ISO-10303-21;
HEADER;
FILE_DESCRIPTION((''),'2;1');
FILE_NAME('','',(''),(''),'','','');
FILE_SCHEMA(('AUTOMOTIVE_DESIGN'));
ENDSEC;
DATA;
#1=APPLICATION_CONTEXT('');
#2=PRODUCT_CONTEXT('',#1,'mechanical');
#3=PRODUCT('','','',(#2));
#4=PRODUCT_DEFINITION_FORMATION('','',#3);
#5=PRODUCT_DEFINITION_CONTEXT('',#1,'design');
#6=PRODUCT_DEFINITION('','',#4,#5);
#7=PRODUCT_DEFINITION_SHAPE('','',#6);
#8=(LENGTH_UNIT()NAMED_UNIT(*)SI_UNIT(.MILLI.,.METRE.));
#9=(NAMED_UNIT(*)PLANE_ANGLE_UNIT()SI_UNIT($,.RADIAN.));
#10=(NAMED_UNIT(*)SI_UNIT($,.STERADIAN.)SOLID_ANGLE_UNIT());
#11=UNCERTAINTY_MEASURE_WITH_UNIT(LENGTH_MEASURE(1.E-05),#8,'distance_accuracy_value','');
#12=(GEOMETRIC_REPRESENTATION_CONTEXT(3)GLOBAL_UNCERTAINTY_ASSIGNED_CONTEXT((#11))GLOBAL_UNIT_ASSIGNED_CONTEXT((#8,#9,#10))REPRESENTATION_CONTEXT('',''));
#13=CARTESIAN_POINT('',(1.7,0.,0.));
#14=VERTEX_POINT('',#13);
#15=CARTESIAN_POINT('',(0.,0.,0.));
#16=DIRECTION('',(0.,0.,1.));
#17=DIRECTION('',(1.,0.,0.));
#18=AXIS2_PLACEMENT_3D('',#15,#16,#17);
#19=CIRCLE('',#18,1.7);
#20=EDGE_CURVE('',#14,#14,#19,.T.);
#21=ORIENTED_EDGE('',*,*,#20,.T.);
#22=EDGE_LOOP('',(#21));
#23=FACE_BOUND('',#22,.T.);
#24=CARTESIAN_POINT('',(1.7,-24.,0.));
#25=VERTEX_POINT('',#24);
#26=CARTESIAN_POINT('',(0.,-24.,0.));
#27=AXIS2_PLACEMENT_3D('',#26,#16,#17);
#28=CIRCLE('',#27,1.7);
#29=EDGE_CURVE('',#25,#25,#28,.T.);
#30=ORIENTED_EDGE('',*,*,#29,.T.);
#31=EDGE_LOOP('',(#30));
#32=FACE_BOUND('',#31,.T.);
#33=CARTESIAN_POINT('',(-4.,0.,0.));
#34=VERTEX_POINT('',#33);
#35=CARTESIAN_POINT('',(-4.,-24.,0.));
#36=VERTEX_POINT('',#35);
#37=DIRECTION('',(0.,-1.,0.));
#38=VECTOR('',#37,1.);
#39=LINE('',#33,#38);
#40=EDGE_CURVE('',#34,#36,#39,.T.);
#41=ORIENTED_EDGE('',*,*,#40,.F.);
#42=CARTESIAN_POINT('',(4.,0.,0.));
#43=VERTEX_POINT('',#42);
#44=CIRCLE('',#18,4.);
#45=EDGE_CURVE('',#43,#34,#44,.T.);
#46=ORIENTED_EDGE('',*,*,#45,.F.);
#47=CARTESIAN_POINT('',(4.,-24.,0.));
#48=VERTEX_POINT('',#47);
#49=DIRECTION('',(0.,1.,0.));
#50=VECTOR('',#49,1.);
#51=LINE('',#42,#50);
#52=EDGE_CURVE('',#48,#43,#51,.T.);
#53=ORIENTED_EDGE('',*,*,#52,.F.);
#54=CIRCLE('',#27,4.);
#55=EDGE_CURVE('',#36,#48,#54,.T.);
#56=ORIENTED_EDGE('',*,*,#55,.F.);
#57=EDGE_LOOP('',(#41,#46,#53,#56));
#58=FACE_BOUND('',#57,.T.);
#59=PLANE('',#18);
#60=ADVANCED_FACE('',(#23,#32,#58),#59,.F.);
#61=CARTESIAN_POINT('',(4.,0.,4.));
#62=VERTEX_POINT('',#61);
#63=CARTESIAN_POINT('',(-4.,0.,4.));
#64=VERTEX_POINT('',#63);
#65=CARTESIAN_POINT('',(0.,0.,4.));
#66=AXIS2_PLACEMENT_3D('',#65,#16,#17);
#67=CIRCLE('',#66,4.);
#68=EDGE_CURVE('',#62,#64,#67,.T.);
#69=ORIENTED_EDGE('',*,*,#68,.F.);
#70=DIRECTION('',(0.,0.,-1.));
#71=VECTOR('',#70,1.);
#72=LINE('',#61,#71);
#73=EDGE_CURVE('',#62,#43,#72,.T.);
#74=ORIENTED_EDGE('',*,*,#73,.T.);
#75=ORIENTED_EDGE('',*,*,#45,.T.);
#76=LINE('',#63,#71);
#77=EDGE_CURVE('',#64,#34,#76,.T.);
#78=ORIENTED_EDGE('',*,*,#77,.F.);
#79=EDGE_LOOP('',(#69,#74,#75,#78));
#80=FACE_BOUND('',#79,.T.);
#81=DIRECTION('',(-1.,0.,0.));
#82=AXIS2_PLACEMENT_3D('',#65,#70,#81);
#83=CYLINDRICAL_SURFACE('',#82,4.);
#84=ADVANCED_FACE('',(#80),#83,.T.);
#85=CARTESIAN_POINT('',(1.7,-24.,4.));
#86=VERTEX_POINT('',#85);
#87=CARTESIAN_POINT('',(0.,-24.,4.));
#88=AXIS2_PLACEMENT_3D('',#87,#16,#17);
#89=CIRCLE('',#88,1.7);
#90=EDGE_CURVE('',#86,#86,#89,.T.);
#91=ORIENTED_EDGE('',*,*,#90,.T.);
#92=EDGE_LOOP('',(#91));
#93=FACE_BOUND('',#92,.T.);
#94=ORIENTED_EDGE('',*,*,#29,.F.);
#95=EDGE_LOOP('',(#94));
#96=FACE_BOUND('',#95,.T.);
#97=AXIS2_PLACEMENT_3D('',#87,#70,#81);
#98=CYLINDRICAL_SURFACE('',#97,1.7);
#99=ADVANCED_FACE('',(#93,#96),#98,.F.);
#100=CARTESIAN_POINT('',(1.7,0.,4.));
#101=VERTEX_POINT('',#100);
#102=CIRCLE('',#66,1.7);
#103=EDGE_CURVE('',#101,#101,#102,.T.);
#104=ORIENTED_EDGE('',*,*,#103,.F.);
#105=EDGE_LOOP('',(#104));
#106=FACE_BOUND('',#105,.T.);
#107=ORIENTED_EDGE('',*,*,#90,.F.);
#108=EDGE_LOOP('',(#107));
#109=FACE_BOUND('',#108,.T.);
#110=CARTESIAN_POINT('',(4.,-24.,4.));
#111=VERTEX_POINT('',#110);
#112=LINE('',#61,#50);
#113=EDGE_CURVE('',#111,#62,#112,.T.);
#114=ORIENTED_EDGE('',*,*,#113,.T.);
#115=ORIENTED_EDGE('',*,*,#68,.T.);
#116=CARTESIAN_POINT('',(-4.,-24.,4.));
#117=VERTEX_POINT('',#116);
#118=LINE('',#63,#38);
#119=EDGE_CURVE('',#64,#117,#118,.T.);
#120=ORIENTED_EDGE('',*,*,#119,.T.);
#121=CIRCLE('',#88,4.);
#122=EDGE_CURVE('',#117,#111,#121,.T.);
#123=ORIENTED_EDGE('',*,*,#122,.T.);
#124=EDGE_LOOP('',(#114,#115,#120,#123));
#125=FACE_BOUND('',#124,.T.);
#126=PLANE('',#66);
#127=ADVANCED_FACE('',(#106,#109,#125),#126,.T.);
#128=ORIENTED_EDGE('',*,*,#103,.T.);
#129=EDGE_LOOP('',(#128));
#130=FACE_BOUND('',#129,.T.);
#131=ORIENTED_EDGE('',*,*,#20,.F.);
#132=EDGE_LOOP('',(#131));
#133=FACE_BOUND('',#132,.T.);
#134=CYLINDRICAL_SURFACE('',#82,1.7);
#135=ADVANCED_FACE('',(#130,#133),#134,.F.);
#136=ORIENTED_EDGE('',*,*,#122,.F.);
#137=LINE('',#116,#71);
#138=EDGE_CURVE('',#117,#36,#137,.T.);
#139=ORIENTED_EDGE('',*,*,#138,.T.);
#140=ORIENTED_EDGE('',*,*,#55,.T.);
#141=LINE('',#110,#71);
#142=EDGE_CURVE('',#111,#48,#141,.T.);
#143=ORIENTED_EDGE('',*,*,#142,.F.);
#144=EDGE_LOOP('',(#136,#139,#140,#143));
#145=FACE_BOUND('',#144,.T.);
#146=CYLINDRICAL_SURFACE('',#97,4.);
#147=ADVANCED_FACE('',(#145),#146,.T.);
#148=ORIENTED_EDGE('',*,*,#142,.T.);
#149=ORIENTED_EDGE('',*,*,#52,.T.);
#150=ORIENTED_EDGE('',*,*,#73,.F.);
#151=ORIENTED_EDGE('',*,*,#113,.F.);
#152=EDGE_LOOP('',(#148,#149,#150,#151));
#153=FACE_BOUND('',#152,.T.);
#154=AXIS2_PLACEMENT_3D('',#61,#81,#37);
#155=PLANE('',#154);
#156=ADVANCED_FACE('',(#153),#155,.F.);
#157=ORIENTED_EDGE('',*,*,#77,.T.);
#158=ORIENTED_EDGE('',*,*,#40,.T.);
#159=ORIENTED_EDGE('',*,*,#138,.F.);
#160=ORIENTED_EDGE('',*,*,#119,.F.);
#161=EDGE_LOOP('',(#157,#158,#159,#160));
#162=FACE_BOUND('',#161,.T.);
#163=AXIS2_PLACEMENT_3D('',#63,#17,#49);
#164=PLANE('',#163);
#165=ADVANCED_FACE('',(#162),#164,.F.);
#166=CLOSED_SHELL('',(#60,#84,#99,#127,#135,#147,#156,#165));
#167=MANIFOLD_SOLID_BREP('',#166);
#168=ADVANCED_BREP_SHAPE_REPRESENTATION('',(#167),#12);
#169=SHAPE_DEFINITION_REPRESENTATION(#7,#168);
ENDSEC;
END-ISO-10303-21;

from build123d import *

# Parameters (mm, degrees)
SKETCH_1_R      = 1.7
EXTRUDE_1_DEPTH = 4


with BuildPart() as part:
    # 草图1 → 凸台-拉伸1 (new body)
    with BuildSketch(Plane.XY):
        with BuildLine():
            Line((4, 0), (4, -24))
            ThreePointArc((4, -24), (0, -28), (-4, -24))
            Line((-4, -24), (-4, 0))
            ThreePointArc((-4, 0), (0, 4), (4, 0))
        make_face()
        Circle(SKETCH_1_R, mode=Mode.SUBTRACT)
        with Locations((0, -24)):
            Circle(SKETCH_1_R, mode=Mode.SUBTRACT)
    extrude(amount=EXTRUDE_1_DEPTH)


solid = part.part
